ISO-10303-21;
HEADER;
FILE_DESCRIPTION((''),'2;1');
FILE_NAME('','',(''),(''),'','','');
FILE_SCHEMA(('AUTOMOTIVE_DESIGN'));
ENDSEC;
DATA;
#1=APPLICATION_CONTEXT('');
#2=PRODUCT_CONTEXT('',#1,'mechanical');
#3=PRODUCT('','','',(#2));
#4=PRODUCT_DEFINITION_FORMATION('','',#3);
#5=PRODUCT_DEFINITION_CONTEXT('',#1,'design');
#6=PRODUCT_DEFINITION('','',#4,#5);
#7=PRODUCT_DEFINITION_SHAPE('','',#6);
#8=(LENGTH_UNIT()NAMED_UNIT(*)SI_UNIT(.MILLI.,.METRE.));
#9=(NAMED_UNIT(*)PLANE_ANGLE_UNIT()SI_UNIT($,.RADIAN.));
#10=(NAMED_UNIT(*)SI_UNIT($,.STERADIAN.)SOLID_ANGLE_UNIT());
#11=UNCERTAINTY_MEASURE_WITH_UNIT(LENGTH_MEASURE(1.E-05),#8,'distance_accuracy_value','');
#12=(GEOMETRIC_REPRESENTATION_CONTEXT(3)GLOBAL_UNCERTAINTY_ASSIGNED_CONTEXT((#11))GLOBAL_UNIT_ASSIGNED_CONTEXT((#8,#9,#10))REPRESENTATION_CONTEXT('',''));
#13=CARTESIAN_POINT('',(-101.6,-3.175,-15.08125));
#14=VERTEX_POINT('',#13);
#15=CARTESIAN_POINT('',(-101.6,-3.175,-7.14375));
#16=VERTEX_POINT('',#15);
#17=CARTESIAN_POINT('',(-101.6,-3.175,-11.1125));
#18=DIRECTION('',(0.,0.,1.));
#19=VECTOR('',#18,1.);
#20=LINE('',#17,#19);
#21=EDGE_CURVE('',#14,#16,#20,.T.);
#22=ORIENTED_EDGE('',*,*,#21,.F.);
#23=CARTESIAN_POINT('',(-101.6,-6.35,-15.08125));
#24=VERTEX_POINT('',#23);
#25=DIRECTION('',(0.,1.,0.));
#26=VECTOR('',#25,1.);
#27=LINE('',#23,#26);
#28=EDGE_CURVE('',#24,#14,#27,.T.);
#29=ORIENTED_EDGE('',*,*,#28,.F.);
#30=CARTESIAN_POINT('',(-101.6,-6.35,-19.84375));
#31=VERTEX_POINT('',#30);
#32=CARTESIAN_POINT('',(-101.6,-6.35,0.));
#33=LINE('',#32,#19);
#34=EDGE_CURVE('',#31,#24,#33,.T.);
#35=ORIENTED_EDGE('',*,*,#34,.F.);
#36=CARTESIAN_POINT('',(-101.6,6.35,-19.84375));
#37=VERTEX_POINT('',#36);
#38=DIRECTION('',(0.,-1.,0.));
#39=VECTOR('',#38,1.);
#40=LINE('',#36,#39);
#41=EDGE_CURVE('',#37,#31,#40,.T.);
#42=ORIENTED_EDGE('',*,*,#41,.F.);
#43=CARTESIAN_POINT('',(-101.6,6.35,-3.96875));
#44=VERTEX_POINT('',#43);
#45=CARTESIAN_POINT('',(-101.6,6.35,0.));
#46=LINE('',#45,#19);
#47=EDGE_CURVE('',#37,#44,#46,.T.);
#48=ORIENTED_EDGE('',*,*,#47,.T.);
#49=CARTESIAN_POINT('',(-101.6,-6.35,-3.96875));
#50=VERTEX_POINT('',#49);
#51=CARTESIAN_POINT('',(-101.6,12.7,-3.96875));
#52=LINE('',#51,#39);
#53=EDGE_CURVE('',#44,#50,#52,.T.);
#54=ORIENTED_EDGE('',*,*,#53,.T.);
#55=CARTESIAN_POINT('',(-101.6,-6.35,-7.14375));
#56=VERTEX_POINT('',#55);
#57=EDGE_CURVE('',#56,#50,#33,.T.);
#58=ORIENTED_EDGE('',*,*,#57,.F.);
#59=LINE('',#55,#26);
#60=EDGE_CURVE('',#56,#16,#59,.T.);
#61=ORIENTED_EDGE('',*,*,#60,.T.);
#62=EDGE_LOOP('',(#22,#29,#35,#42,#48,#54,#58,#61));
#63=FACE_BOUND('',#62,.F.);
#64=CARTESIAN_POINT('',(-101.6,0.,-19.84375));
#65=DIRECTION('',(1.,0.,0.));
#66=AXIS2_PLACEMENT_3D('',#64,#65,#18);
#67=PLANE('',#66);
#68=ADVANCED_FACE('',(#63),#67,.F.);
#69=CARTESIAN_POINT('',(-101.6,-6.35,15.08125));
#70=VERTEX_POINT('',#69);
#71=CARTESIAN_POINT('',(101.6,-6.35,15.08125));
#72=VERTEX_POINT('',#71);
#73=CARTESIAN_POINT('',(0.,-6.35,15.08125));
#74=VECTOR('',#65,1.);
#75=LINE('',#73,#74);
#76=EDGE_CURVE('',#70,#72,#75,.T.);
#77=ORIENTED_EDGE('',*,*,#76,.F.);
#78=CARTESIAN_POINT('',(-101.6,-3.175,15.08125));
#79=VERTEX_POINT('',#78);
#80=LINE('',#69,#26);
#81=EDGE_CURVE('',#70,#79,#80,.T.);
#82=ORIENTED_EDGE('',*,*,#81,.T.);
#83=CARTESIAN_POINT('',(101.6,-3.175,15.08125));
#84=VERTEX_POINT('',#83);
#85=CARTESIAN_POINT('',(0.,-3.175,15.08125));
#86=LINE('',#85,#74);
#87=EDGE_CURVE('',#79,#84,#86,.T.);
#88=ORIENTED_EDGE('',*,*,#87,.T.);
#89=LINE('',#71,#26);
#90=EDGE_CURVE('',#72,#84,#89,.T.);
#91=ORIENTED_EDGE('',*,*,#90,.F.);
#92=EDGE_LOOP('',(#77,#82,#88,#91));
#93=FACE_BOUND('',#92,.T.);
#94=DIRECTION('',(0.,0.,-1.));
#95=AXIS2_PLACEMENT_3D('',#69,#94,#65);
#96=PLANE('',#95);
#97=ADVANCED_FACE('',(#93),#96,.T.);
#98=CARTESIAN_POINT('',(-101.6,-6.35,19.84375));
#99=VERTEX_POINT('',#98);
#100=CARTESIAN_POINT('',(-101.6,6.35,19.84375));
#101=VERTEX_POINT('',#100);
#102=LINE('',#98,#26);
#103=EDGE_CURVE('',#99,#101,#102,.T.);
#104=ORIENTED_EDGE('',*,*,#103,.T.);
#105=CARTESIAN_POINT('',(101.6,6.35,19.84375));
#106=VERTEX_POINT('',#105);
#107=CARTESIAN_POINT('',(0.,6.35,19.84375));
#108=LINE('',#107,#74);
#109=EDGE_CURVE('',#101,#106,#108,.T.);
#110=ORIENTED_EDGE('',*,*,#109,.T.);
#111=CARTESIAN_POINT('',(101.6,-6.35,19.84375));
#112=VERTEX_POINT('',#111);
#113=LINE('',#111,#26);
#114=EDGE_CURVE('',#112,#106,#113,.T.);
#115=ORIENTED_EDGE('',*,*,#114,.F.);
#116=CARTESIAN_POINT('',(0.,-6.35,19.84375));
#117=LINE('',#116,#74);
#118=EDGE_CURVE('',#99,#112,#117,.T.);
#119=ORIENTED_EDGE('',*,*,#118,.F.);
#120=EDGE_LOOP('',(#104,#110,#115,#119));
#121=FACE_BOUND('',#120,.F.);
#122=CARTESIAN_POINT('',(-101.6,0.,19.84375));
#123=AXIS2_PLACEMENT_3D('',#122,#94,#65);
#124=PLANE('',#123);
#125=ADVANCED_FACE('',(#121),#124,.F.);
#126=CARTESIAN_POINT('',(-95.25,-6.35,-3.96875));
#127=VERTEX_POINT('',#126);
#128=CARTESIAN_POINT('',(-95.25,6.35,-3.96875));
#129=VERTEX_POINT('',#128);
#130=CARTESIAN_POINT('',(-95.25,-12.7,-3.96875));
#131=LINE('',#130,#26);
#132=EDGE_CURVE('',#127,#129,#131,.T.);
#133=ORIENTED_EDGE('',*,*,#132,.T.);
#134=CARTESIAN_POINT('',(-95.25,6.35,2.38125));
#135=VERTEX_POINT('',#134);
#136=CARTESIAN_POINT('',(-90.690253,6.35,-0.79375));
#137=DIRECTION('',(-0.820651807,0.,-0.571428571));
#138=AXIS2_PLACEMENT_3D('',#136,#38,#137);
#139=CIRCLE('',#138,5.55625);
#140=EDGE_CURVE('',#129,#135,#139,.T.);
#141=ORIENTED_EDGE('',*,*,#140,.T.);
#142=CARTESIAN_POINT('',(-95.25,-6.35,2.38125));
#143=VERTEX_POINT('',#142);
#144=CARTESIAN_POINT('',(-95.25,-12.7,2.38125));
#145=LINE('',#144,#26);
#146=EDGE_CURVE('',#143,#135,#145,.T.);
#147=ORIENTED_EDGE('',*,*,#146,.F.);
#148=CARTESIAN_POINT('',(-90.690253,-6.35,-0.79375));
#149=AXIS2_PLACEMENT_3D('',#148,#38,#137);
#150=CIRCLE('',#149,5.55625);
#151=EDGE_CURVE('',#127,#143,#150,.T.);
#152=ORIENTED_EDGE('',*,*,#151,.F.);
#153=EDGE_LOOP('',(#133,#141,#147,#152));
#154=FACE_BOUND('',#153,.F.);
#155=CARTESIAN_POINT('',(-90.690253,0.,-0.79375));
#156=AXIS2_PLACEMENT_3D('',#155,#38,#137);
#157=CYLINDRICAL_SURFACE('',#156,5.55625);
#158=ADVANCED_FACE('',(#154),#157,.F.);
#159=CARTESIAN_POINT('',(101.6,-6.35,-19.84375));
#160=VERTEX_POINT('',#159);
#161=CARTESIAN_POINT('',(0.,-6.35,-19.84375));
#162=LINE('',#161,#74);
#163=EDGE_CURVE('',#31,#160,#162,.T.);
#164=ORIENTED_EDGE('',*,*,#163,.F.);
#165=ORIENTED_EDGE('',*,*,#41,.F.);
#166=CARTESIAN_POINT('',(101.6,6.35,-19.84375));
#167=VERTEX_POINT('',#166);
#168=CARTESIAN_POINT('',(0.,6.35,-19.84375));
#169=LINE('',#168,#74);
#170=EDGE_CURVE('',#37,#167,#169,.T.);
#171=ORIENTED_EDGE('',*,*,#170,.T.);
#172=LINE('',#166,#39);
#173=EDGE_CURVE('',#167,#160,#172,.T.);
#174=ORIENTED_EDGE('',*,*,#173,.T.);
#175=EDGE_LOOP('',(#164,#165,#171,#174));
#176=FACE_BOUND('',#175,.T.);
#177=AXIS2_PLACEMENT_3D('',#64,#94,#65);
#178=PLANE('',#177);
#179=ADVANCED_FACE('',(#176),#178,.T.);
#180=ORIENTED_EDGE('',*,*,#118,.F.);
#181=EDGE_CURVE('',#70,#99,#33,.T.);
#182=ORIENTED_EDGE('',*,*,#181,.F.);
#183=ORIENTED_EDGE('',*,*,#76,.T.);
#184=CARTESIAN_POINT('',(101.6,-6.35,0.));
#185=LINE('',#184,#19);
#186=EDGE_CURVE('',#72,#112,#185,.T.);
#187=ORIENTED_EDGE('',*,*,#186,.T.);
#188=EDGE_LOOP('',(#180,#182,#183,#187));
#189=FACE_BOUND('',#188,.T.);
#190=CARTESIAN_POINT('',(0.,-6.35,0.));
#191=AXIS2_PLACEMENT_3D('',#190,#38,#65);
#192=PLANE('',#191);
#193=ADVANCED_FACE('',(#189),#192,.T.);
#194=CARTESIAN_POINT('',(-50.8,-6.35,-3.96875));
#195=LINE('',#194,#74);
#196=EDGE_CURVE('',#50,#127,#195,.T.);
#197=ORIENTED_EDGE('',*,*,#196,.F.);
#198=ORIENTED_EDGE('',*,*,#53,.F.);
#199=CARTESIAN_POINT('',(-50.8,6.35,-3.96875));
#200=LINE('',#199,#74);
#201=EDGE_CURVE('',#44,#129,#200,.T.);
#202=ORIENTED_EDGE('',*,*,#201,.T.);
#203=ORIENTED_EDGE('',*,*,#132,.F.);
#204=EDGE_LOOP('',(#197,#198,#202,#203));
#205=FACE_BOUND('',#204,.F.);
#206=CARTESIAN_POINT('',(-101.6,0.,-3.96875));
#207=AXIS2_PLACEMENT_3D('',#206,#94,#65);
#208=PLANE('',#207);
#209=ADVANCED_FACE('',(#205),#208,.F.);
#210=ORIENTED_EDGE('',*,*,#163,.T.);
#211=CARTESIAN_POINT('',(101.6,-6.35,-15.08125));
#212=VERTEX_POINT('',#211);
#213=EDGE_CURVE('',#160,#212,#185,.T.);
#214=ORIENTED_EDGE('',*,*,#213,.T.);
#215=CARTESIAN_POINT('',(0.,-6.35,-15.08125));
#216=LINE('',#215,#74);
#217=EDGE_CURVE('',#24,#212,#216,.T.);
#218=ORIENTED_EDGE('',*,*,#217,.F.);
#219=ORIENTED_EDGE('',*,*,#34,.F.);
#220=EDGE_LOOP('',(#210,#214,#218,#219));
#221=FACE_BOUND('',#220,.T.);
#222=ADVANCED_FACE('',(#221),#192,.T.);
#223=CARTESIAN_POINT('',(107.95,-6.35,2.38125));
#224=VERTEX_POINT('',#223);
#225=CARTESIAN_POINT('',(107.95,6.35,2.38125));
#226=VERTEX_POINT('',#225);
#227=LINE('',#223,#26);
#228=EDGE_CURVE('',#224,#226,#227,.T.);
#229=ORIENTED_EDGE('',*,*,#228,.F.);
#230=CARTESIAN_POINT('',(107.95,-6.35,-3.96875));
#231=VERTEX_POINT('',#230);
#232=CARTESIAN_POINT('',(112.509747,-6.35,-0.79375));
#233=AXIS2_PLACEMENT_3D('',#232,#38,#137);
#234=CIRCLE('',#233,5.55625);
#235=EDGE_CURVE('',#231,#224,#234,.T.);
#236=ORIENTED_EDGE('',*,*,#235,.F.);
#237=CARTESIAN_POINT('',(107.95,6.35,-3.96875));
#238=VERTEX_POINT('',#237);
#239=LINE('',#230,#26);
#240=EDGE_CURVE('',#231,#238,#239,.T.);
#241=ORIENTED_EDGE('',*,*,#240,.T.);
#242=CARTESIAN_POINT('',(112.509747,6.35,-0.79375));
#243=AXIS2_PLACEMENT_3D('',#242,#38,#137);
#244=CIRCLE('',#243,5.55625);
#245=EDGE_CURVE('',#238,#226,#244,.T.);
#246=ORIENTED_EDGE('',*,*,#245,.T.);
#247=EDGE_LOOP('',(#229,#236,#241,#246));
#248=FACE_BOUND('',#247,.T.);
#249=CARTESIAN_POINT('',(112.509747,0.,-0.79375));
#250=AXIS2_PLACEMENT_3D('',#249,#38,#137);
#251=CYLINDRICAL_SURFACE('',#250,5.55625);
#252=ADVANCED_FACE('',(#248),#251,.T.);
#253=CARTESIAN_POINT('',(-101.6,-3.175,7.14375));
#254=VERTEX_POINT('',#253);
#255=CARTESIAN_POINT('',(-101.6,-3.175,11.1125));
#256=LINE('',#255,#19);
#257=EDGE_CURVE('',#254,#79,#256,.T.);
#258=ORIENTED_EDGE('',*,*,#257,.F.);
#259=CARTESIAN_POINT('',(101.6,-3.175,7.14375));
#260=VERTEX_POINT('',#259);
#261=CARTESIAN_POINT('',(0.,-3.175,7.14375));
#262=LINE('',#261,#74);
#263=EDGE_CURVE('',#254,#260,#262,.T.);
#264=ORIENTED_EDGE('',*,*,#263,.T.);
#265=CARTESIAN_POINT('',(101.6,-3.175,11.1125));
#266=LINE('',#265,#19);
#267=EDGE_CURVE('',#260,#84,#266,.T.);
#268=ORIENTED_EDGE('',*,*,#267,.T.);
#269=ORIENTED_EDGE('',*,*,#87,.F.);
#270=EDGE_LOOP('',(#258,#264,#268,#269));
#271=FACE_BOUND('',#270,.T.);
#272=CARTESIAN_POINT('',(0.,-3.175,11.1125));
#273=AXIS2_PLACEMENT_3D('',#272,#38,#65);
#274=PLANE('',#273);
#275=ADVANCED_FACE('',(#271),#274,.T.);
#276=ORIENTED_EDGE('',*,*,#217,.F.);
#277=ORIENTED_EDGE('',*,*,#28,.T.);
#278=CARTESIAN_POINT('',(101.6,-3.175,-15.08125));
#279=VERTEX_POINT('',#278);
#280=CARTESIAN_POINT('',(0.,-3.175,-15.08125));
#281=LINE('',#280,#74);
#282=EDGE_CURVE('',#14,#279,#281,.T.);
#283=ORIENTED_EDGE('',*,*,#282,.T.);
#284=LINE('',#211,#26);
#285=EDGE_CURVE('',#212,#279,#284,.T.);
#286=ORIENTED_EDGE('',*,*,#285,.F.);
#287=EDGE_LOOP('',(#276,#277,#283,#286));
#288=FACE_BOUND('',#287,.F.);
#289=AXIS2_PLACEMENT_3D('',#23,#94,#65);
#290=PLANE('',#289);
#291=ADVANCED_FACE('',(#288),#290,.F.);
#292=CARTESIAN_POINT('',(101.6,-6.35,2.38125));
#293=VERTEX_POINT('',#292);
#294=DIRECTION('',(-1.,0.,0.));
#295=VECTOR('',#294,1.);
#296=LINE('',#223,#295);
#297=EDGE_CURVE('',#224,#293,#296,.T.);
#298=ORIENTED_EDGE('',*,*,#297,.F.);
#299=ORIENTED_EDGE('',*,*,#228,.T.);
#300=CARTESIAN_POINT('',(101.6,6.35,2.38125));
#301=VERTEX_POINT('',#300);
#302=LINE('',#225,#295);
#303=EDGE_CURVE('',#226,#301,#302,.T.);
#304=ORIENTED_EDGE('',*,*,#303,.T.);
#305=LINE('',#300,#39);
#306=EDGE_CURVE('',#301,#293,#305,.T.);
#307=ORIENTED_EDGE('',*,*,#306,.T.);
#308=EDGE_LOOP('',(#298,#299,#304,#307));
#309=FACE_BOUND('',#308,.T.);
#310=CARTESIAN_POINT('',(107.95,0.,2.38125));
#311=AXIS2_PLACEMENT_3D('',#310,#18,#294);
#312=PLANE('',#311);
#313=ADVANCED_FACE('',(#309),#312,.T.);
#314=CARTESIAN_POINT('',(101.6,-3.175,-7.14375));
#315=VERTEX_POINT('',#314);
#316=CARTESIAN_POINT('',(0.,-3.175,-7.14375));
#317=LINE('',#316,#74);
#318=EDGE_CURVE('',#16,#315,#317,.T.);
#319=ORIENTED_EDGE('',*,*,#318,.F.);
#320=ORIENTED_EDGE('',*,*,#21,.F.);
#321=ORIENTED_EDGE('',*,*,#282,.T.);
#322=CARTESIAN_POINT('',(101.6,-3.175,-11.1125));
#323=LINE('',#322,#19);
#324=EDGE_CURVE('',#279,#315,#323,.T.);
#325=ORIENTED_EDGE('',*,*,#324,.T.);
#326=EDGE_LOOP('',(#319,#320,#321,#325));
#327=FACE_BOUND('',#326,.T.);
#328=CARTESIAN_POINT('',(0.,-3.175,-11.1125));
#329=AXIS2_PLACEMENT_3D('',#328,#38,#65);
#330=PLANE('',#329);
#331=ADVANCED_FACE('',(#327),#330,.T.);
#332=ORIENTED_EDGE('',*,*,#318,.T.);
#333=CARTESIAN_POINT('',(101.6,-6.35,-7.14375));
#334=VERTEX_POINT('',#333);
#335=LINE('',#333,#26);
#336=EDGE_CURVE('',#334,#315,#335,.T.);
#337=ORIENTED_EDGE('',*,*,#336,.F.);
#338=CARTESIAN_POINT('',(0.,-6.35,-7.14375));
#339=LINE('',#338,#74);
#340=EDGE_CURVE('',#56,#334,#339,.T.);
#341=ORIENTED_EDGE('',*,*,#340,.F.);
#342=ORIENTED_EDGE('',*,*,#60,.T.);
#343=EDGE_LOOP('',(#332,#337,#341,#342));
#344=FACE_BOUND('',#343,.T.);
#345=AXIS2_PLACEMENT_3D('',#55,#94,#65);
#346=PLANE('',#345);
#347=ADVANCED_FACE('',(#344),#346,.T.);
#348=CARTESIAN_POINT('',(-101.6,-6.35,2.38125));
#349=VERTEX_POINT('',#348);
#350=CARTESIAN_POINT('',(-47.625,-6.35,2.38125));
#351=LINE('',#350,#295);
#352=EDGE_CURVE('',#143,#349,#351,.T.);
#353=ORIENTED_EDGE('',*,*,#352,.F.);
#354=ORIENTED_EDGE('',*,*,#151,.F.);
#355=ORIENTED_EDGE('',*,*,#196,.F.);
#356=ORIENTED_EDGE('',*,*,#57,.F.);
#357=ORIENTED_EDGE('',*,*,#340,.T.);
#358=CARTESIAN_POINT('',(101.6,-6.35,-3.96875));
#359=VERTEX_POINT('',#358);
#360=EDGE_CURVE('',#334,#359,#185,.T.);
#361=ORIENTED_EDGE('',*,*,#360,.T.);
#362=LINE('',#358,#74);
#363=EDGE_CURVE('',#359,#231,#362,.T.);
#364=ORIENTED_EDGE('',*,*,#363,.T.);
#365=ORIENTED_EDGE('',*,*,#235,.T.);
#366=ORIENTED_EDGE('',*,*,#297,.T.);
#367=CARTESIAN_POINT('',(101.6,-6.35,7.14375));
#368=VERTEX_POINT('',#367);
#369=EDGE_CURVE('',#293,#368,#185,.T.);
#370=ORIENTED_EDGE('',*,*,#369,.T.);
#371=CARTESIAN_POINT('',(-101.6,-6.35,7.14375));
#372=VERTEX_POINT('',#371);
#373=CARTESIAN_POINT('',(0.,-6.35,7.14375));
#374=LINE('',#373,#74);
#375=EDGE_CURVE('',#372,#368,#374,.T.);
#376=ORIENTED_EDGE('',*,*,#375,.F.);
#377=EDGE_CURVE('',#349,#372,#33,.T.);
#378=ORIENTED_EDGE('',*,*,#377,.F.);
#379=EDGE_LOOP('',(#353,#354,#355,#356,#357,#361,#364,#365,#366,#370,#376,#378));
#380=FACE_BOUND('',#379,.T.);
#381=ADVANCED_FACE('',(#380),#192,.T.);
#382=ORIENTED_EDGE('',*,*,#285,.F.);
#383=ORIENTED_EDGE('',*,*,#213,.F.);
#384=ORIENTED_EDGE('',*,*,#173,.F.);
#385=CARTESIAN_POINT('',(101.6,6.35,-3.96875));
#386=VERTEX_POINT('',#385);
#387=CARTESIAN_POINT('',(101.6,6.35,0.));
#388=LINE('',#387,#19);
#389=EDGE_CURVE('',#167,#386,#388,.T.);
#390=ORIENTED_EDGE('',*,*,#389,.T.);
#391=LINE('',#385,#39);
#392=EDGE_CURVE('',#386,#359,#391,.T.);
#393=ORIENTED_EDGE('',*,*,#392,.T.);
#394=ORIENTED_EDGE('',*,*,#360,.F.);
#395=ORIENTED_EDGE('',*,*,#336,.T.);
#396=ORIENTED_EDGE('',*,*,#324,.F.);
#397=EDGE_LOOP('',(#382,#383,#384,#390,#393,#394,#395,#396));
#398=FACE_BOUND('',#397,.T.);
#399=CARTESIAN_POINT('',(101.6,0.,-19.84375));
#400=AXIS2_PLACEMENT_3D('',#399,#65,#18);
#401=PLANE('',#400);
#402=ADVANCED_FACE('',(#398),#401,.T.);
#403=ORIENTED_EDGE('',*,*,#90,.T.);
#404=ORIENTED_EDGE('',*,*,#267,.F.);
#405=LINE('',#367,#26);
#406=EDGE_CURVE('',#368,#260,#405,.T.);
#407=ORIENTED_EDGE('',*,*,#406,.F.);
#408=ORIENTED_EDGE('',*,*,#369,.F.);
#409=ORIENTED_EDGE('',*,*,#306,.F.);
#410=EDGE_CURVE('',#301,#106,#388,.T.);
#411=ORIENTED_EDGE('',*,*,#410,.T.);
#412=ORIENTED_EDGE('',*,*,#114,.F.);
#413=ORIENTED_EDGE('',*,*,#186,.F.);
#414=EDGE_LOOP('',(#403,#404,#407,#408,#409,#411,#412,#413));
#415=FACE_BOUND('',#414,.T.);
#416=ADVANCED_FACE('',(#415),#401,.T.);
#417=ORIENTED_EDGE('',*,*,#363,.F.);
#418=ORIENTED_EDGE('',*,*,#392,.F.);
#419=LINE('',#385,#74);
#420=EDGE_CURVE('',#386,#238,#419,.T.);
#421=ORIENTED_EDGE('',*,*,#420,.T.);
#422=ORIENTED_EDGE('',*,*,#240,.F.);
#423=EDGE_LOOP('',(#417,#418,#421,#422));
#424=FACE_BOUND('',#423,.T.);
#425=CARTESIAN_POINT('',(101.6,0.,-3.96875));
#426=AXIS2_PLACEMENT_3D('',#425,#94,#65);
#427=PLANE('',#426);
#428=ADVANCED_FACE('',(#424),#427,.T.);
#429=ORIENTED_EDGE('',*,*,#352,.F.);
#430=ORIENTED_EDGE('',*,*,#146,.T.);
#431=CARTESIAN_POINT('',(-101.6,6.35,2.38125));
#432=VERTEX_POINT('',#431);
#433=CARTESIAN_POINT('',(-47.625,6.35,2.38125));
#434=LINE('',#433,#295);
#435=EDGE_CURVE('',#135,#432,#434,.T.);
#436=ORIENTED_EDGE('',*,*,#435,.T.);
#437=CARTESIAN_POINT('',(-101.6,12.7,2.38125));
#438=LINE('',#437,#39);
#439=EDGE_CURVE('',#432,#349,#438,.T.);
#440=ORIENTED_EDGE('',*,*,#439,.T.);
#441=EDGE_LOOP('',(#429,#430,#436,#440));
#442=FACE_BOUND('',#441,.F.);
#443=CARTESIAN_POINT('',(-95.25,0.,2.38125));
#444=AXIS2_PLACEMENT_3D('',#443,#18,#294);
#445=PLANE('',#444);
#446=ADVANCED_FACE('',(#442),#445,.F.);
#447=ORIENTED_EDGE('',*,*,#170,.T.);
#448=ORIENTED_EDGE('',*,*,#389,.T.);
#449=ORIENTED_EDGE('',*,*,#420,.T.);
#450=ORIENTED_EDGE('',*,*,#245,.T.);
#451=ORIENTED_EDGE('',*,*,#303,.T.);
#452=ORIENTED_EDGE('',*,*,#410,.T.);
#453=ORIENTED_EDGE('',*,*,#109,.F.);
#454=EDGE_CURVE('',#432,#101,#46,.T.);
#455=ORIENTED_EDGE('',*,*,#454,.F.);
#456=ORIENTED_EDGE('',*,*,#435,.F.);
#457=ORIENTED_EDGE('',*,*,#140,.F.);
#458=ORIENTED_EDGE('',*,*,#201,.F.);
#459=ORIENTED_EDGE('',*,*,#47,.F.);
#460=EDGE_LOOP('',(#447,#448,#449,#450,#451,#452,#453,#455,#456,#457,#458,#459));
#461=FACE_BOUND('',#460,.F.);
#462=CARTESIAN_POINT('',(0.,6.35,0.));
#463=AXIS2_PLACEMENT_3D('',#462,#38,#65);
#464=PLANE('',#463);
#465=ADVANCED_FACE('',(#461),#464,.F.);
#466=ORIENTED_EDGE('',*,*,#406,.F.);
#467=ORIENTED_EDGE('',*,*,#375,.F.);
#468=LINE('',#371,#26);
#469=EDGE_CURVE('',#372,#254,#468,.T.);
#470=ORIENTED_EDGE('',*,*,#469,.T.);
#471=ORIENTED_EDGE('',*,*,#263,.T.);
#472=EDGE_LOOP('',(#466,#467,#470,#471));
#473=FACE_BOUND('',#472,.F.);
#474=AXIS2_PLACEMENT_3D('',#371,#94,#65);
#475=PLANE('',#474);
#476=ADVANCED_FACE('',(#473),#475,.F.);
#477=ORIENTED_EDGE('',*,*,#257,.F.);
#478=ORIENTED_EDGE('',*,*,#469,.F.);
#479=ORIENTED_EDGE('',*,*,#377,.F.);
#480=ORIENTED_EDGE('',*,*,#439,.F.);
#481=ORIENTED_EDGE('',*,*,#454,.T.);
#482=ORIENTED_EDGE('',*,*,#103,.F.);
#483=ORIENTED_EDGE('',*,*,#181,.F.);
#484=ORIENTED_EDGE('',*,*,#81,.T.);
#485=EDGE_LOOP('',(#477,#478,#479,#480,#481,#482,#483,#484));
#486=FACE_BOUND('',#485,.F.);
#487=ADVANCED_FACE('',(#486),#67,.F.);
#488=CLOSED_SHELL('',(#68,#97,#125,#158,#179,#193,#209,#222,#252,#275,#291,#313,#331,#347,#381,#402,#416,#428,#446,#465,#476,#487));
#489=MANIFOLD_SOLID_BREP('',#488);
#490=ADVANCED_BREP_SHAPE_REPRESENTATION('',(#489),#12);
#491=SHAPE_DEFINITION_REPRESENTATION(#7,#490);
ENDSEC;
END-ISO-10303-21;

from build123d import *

# Parameters (mm, degrees)
F0_W     = 203.2
F0_H     = 39.6875
F1_DEPTH = 6.35
F3_DEPTH = 6.35
F5_DEPTH = 12.7
F6_W     = 203.2
F6_H     = 7.9375
F7_DEPTH = 3.175
F8_W     = 203.2
F8_H     = 7.9375
F9_DEPTH = 3.175


with BuildPart() as f1:
    # F0 (on Front) → F1 (new body, symmetric)
    with BuildSketch(Plane.XZ):
        Rectangle(F0_W, F0_H)
    extrude(amount=F1_DEPTH, both=True)

    # F2 (on Front) → F3 (join, symmetric)
    with BuildSketch(Plane.XZ):
        with BuildLine():
            Line((107.95, 2.38125), (101.6, 2.38125))
            Line((101.6, 2.38125), (101.6, -3.96875))
            Line((101.6, -3.96875), (107.95, -3.96875))
            ThreePointArc((107.95, -3.96875), (118.0659966007, -0.79375), (107.95, 2.38125))
        make_face()
    extrude(amount=F3_DEPTH, both=True)

    # F4 (on Front) → F5 (cut, symmetric)
    with BuildSketch(Plane.XZ):
        with BuildLine():
            Line((-95.25, 2.38125), (-101.6, 2.38125))
            Line((-101.6, 2.38125), (-101.6, -3.96875))
            Line((-101.6, -3.96875), (-95.25, -3.96875))
            ThreePointArc((-95.25, -3.96875), (-85.1340033993, -0.79375), (-95.25, 2.38125))
        make_face()
    extrude(amount=F5_DEPTH, both=True, mode=Mode.SUBTRACT)

    # F6 (on face) → F7 (cut)
    with BuildSketch(Plane.XZ.offset(6.35)):
        with Locations((0, 11.1125)):
            Rectangle(F6_W, F6_H)
    extrude(amount=-F7_DEPTH, mode=Mode.SUBTRACT)

    # F8 (on face) → F9 (cut)
    with BuildSketch(Plane.XZ.offset(6.35)):
        with Locations((0, -11.1125)):
            Rectangle(F8_W, F8_H)
    extrude(amount=-F9_DEPTH, mode=Mode.SUBTRACT)


solid = f1.part
